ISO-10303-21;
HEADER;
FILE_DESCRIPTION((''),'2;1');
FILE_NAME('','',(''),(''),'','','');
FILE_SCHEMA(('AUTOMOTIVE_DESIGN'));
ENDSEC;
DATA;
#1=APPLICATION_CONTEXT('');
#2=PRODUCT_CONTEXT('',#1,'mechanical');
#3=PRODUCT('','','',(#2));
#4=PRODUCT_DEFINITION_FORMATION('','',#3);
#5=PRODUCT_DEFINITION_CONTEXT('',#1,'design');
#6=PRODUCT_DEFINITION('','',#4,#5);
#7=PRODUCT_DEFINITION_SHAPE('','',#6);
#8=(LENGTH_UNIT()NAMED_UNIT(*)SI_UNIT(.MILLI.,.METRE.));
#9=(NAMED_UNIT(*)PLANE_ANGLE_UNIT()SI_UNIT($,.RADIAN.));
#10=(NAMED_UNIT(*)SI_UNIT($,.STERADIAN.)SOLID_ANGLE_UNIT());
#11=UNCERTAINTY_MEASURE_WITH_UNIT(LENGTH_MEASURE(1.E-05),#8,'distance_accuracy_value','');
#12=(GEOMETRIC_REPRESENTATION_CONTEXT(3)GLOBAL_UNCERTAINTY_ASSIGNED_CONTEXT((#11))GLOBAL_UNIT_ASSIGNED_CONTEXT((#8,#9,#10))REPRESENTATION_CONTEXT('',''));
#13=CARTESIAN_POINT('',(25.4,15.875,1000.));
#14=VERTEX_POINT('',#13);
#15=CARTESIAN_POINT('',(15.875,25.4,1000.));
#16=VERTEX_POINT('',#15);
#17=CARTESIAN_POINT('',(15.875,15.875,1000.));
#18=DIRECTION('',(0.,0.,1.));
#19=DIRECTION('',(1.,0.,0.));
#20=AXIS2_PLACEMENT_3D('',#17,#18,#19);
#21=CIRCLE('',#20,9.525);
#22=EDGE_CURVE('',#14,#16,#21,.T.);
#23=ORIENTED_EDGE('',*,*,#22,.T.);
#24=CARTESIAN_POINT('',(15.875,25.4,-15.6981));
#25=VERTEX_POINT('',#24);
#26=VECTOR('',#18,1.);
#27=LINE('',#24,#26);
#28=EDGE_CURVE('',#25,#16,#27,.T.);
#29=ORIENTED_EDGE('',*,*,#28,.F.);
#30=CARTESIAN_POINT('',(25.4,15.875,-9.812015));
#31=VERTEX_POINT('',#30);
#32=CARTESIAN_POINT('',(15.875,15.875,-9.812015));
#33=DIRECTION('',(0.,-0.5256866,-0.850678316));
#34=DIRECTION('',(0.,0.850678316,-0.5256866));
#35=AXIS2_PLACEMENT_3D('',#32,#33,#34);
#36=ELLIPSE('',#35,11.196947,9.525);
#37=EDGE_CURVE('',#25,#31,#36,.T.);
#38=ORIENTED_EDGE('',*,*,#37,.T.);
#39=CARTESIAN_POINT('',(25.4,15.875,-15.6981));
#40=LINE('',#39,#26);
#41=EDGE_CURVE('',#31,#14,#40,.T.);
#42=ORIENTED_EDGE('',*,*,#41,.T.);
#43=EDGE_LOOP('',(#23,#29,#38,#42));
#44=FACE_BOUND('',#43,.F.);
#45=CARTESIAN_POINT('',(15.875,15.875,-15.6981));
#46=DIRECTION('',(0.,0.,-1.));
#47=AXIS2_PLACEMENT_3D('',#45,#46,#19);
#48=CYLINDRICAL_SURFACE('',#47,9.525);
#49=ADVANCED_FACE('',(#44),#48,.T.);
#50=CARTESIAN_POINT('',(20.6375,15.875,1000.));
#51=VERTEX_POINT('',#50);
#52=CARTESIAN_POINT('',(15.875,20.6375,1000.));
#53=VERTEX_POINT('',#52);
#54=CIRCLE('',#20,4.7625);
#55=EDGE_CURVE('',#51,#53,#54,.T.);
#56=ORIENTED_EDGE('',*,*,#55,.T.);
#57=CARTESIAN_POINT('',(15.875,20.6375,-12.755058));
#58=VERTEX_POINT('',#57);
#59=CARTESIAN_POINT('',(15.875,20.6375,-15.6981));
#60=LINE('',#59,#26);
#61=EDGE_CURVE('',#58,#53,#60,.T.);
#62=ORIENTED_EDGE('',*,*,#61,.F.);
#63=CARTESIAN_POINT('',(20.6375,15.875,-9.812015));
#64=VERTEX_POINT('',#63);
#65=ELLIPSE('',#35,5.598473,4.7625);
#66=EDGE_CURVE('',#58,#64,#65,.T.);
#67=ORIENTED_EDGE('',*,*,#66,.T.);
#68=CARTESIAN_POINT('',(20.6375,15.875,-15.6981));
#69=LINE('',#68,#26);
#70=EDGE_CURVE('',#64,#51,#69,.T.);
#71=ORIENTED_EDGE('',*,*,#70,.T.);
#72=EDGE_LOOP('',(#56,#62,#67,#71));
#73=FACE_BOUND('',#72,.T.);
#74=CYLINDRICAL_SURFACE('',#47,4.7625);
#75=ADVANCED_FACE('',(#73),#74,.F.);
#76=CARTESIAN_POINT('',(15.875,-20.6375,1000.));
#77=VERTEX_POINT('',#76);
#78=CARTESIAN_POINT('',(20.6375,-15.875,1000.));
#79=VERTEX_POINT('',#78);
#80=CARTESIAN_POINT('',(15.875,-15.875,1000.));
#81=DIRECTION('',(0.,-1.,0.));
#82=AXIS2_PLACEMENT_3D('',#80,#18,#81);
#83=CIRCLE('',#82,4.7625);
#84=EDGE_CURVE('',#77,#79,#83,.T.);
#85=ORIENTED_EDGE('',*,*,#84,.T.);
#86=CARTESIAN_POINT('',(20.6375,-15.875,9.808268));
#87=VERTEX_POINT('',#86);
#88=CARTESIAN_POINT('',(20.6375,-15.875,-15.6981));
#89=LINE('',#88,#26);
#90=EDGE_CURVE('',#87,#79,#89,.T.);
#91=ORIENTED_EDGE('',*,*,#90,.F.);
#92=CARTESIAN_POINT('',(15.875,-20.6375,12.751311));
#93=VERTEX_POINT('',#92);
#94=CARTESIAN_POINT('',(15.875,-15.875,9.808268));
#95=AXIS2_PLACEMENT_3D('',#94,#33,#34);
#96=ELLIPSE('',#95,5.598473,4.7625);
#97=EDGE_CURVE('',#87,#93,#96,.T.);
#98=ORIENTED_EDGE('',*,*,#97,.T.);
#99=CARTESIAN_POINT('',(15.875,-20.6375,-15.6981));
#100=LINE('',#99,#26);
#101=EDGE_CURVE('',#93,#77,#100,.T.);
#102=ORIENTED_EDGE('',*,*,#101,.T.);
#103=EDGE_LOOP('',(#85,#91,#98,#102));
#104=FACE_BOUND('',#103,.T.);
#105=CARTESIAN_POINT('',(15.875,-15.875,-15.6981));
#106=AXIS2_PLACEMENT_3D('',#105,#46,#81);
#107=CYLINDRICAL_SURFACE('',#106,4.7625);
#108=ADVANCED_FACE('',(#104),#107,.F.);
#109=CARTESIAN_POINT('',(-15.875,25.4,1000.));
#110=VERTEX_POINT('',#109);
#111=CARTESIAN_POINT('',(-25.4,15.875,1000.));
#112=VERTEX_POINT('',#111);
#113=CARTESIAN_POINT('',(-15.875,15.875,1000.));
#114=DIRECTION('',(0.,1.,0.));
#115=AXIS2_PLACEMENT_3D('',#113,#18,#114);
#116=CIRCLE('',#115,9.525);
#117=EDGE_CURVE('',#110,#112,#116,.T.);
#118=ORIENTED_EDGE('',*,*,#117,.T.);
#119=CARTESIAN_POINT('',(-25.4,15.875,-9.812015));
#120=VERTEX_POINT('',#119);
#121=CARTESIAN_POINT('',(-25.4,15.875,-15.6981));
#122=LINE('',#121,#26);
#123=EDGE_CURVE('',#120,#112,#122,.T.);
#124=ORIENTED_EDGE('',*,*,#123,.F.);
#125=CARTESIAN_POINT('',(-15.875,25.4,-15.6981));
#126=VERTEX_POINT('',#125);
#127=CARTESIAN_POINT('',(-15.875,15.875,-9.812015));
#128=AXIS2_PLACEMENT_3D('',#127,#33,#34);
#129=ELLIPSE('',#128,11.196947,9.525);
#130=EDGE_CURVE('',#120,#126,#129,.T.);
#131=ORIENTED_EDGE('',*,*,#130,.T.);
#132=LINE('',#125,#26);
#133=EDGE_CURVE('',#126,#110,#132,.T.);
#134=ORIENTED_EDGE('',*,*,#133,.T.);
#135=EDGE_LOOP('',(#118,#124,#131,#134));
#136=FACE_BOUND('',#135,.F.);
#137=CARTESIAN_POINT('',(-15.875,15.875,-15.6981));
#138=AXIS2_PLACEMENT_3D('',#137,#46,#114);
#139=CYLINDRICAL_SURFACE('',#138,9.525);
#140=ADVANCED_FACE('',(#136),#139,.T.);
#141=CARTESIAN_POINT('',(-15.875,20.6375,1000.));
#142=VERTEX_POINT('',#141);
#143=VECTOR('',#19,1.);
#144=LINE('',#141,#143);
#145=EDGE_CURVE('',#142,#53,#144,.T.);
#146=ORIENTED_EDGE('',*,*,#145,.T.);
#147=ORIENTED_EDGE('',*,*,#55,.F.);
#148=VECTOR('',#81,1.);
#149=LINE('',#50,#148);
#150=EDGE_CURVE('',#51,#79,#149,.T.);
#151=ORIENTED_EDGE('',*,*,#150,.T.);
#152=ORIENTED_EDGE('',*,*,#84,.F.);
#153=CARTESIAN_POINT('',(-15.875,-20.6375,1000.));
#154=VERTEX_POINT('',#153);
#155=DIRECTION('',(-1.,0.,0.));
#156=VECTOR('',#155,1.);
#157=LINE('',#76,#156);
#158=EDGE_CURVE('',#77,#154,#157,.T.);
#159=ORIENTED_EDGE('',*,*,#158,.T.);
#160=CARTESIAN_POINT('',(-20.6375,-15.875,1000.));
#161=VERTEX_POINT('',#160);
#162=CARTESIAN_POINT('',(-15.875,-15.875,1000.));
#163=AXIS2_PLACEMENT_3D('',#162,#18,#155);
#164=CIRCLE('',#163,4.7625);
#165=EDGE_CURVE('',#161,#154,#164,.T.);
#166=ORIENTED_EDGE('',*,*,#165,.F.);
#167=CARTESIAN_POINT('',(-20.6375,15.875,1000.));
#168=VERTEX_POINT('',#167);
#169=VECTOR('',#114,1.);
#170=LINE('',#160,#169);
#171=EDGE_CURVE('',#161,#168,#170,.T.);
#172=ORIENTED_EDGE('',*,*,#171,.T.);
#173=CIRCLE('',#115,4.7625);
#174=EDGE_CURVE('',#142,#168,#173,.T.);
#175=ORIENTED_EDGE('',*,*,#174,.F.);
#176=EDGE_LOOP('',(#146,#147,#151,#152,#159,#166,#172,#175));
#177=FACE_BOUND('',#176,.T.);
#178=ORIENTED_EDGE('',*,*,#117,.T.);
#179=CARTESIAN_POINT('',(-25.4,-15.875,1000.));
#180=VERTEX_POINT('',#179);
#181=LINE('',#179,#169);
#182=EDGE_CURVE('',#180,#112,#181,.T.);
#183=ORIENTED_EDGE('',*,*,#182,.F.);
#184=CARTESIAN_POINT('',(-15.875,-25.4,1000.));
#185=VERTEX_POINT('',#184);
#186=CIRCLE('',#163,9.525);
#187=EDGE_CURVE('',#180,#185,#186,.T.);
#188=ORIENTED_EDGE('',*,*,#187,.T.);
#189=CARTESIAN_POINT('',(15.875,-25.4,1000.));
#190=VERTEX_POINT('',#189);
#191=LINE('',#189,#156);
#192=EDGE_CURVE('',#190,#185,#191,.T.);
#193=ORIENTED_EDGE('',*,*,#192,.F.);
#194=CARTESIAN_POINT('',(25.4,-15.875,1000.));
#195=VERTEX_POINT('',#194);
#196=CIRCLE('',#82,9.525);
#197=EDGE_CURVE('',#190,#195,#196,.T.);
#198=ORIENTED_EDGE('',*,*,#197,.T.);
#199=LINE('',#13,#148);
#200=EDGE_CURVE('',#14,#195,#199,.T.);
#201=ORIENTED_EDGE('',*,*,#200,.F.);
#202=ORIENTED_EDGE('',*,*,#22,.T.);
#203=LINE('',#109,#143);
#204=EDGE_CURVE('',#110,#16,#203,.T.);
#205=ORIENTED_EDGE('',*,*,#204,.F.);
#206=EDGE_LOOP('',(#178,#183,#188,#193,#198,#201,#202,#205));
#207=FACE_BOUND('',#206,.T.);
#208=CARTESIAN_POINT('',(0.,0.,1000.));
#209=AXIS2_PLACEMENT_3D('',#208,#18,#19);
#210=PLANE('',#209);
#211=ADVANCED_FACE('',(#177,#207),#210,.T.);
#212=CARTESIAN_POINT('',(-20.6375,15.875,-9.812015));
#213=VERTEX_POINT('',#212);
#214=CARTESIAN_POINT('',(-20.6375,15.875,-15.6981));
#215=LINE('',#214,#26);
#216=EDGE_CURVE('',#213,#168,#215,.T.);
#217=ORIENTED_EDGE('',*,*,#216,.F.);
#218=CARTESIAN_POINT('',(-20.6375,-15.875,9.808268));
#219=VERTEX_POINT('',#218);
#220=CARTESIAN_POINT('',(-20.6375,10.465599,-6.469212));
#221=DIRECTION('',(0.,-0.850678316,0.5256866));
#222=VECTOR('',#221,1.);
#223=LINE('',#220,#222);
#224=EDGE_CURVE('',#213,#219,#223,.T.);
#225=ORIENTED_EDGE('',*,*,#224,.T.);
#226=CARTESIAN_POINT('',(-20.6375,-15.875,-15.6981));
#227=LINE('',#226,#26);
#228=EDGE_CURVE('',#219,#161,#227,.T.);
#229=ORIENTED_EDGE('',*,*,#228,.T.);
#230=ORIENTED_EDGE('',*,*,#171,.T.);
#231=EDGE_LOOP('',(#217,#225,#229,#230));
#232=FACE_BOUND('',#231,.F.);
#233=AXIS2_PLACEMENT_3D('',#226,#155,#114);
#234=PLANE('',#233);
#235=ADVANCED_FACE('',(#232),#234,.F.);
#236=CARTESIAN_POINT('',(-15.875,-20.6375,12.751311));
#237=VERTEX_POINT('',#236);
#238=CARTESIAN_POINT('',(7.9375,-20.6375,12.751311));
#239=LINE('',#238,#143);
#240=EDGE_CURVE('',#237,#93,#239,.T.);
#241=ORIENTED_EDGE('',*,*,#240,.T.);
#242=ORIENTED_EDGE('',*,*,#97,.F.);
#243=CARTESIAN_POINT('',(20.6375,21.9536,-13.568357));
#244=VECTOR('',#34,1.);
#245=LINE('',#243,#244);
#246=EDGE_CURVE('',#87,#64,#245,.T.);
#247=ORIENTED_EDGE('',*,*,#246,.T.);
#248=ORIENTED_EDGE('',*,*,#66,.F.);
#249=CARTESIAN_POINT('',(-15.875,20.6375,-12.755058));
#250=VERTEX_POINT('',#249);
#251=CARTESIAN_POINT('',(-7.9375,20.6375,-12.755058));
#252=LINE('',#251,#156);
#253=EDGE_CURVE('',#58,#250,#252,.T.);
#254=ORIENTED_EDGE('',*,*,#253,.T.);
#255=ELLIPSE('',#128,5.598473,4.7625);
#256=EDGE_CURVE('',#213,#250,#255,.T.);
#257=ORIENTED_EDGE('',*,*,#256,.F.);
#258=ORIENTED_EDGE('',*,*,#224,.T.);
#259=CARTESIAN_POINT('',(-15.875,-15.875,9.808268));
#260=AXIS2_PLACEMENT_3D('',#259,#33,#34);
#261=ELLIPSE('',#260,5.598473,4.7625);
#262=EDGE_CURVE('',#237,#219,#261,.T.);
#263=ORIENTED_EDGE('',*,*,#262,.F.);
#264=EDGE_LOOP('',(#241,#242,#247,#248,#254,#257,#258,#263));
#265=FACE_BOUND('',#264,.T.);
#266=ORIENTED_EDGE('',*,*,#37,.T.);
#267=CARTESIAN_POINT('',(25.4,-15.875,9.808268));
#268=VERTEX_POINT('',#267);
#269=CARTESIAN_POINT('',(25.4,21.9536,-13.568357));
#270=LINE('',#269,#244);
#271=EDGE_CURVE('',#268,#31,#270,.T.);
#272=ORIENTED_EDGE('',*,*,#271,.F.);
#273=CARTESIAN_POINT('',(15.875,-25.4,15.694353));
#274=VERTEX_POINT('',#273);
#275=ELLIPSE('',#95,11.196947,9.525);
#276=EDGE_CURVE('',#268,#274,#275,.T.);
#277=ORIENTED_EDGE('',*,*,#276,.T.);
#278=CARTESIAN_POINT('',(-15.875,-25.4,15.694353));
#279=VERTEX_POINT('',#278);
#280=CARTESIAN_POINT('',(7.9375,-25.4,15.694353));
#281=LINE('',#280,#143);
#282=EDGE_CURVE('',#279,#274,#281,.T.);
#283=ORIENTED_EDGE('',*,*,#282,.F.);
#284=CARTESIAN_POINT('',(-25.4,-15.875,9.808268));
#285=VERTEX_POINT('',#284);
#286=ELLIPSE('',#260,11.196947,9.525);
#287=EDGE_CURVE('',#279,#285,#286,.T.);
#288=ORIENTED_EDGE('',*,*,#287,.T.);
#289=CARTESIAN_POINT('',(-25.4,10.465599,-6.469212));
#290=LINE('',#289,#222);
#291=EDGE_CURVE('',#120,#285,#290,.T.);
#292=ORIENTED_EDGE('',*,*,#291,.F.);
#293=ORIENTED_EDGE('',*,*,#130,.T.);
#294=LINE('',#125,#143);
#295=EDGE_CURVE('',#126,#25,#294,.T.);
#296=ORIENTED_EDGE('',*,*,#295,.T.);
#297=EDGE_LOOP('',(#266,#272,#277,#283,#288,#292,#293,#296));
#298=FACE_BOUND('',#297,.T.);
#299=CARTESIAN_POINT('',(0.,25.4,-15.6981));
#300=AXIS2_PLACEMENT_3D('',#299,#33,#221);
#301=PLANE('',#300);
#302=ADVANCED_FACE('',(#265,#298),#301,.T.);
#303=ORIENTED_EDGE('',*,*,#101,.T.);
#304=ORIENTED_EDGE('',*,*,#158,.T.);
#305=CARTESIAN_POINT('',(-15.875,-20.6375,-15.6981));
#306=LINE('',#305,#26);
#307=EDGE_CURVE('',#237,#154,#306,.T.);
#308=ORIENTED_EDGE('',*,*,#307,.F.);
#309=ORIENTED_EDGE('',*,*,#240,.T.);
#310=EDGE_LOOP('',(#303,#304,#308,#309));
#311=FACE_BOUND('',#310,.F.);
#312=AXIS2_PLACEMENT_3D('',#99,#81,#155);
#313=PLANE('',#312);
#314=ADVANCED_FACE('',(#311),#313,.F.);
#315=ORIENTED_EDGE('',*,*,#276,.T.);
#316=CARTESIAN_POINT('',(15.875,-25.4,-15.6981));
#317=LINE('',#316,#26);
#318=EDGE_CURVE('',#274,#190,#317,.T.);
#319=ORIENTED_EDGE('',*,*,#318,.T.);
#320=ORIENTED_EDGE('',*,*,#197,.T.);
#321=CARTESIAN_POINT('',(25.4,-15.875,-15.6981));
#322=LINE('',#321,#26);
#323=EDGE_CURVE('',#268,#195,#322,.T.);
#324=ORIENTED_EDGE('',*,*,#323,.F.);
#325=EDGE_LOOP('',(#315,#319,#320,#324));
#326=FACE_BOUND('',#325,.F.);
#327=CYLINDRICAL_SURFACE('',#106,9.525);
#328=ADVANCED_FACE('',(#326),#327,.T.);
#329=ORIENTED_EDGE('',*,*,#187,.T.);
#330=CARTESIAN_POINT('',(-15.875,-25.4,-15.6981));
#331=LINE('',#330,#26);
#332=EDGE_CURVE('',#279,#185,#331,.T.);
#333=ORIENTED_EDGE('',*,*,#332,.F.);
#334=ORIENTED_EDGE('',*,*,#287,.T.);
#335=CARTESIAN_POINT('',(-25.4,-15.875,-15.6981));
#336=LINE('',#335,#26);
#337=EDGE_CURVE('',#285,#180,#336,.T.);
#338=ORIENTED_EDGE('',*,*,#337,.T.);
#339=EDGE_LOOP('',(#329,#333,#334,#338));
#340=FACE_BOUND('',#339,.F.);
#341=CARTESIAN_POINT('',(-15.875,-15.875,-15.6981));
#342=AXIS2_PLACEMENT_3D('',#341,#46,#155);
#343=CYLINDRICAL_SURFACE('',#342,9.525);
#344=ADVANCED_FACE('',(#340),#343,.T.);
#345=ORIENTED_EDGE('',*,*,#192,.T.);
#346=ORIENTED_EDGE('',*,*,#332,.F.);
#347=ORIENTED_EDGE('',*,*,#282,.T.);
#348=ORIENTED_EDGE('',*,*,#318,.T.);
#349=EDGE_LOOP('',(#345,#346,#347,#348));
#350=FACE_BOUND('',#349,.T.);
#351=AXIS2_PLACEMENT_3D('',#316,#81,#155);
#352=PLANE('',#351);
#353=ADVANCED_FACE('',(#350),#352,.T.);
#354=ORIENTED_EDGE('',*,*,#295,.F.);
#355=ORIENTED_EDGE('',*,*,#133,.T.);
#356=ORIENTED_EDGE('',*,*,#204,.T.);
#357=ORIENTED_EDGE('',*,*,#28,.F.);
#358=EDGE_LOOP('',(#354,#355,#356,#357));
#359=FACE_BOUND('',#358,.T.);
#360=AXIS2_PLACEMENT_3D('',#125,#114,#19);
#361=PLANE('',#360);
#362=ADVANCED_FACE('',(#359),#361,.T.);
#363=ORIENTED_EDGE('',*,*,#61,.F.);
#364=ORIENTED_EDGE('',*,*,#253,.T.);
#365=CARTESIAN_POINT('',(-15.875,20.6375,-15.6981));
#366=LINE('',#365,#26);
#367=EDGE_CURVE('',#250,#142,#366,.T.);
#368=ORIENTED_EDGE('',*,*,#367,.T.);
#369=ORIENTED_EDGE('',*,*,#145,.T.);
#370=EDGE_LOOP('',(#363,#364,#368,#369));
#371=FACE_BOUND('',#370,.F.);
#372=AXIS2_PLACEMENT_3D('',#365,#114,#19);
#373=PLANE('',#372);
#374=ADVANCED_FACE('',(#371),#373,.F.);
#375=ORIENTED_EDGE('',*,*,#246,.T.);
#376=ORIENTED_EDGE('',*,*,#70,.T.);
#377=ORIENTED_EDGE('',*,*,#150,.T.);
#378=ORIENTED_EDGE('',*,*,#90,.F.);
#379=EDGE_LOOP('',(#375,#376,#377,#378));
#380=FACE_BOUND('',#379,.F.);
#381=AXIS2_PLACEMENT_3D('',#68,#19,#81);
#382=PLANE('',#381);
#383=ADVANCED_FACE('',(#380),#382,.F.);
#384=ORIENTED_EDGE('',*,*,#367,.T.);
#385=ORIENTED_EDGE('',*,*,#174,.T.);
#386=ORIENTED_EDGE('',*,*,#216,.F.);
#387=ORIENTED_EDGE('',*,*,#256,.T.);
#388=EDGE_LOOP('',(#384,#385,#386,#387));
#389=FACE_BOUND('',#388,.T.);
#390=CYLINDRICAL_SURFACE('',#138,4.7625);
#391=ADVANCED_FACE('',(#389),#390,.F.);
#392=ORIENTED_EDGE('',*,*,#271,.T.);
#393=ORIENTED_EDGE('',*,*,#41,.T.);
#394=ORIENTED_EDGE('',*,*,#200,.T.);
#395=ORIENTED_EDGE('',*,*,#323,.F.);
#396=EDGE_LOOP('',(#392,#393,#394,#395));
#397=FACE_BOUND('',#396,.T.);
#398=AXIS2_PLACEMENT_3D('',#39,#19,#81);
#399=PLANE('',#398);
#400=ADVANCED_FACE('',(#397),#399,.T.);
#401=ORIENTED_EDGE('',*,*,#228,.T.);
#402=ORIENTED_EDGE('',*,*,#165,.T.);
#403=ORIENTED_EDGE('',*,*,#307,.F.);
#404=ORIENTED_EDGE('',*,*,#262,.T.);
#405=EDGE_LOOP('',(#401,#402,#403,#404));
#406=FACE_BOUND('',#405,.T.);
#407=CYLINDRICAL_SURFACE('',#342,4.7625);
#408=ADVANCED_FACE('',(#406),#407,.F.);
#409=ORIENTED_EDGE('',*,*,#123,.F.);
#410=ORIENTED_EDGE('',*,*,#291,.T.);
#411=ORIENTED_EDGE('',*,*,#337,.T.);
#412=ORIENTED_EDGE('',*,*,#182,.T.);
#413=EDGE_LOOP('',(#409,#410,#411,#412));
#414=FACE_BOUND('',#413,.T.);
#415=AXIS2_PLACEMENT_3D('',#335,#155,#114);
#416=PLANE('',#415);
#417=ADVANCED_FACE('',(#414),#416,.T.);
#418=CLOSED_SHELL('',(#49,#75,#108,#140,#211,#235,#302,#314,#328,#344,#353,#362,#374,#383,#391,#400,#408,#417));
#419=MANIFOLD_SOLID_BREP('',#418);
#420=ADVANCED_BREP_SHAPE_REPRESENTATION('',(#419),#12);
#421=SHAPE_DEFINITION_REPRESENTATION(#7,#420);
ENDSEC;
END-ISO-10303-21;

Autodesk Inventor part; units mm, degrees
ref_plane "Plano inicial" through (0, 0, -15.6981) normal (0, 0, 1) x (1, 0, 0)
ref_plane "Plano final" through (0, 0, 1000) normal (0, 0, 1) x (1, 0, 0)
sketch "Esboço" plane through (0, 0, 0) normal (0, 0, 1) x (1, 0, 0)
  line L0 (-25.4, -15.875) -> (-25.4, 15.875)
  line L1 (-15.875, 25.4) -> (15.875, 25.4)
  line L2 (25.4, 15.875) -> (25.4, -15.875)
  line L3 (15.875, -25.4) -> (-15.875, -25.4)
  arc A0 (-25.4, -15.875) -> (-15.875, -25.4) centre (-15.875, -15.875) ccw
  arc A1 (-15.875, 25.4) -> (-25.4, 15.875) centre (-15.875, 15.875) ccw
  arc A2 (25.4, 15.875) -> (15.875, 25.4) centre (15.875, 15.875) ccw
  arc A3 (15.875, -25.4) -> (25.4, -15.875) centre (15.875, -15.875) ccw
  arc A4 (-15.875, 20.6375) -> (-20.6375, 15.875) centre (-15.875, 15.875) ccw
  line L4 (-15.875, 20.6375) -> (15.875, 20.6375)
  arc A5 (20.6375, 15.875) -> (15.875, 20.6375) centre (15.875, 15.875) ccw
  line L5 (20.6375, 15.875) -> (20.6375, -15.875)
  arc A6 (15.875, -20.6375) -> (20.6375, -15.875) centre (15.875, -15.875) ccw
  line L6 (15.875, -20.6375) -> (-15.875, -20.6375)
  arc A7 (-20.6375, -15.875) -> (-15.875, -20.6375) centre (-15.875, -15.875) ccw
  line L7 (-20.6375, -15.875) -> (-20.6375, 15.875)
  line L8 (0, 38.3218) -> (0, -38.3218) construction
  line L9 (-38.3218, 0) -> (38.3218, 0) construction
  dimension "d10" = 50.8
  dimension "d11" = 50.8
  dimension "d12" = 4.7625
  dimension "d15" = 25.4
  dimension "d16" = 25.4
  dimension "d17" = 9.525
extrude "Corpo" add sketch "Esboço" along normal up to surface (1015.6981 mm away) from surface at -15.6981
sketch "Sketch3" plane through (0, 0, 0) normal (0, 0, 1) x (1, 0, 0)
  line L0 (0, 0) -> (10, 0)
ref_plane "Work Plane3" through (0, 0, 0) normal (0, -1, 0) x (1, 0, 0)
sketch "Sketch4" plane through (0, 0, 0) normal (0, -1, 0) x (1, 0, 0)
  line L0 (-2, -15.6981) -> (12, -15.6981)
  line L1 (-2, 1000) -> (12, 1000)
  dimension "d19" = 1015.6981
ref_plane "Plano de trabalho4" through (0, 25.4, -15.6981) normal (0, -0.5257, -0.8507) x (1, 0, 0)
split "Dividir1" plane through (0, 25.4, -15.6981) removes the side toward (0, -0.5257, -0.8507)
equation "\"d10\" = G_H"
equation "\"d11\" = G_W"
equation "\"d12\" = G_T"
equation "\"d15\" = 0.5 * d10"
equation "\"d16\" = 0.5 * d11"
equation "\"d17\" = G_IR"
equation "\"d3\" = G_L"
equation "\"G_W\" = 50.8"
equation "\"G_H\" = 50.8"
equation "\"G_T\" = 4.7625"
equation "\"G_IR\" = 9.525"
equation "\"G_L\" = d19"
equation "\"G_OFFSET_START\" = 15.69806"
equation "\"G_OFFSET_END\" = 0"
equation "\"d13\" = -G_OFFSET_START"
properties part number "AISC - 2 x 2 x 3/16 - 39,988" material "Aço, suave"
